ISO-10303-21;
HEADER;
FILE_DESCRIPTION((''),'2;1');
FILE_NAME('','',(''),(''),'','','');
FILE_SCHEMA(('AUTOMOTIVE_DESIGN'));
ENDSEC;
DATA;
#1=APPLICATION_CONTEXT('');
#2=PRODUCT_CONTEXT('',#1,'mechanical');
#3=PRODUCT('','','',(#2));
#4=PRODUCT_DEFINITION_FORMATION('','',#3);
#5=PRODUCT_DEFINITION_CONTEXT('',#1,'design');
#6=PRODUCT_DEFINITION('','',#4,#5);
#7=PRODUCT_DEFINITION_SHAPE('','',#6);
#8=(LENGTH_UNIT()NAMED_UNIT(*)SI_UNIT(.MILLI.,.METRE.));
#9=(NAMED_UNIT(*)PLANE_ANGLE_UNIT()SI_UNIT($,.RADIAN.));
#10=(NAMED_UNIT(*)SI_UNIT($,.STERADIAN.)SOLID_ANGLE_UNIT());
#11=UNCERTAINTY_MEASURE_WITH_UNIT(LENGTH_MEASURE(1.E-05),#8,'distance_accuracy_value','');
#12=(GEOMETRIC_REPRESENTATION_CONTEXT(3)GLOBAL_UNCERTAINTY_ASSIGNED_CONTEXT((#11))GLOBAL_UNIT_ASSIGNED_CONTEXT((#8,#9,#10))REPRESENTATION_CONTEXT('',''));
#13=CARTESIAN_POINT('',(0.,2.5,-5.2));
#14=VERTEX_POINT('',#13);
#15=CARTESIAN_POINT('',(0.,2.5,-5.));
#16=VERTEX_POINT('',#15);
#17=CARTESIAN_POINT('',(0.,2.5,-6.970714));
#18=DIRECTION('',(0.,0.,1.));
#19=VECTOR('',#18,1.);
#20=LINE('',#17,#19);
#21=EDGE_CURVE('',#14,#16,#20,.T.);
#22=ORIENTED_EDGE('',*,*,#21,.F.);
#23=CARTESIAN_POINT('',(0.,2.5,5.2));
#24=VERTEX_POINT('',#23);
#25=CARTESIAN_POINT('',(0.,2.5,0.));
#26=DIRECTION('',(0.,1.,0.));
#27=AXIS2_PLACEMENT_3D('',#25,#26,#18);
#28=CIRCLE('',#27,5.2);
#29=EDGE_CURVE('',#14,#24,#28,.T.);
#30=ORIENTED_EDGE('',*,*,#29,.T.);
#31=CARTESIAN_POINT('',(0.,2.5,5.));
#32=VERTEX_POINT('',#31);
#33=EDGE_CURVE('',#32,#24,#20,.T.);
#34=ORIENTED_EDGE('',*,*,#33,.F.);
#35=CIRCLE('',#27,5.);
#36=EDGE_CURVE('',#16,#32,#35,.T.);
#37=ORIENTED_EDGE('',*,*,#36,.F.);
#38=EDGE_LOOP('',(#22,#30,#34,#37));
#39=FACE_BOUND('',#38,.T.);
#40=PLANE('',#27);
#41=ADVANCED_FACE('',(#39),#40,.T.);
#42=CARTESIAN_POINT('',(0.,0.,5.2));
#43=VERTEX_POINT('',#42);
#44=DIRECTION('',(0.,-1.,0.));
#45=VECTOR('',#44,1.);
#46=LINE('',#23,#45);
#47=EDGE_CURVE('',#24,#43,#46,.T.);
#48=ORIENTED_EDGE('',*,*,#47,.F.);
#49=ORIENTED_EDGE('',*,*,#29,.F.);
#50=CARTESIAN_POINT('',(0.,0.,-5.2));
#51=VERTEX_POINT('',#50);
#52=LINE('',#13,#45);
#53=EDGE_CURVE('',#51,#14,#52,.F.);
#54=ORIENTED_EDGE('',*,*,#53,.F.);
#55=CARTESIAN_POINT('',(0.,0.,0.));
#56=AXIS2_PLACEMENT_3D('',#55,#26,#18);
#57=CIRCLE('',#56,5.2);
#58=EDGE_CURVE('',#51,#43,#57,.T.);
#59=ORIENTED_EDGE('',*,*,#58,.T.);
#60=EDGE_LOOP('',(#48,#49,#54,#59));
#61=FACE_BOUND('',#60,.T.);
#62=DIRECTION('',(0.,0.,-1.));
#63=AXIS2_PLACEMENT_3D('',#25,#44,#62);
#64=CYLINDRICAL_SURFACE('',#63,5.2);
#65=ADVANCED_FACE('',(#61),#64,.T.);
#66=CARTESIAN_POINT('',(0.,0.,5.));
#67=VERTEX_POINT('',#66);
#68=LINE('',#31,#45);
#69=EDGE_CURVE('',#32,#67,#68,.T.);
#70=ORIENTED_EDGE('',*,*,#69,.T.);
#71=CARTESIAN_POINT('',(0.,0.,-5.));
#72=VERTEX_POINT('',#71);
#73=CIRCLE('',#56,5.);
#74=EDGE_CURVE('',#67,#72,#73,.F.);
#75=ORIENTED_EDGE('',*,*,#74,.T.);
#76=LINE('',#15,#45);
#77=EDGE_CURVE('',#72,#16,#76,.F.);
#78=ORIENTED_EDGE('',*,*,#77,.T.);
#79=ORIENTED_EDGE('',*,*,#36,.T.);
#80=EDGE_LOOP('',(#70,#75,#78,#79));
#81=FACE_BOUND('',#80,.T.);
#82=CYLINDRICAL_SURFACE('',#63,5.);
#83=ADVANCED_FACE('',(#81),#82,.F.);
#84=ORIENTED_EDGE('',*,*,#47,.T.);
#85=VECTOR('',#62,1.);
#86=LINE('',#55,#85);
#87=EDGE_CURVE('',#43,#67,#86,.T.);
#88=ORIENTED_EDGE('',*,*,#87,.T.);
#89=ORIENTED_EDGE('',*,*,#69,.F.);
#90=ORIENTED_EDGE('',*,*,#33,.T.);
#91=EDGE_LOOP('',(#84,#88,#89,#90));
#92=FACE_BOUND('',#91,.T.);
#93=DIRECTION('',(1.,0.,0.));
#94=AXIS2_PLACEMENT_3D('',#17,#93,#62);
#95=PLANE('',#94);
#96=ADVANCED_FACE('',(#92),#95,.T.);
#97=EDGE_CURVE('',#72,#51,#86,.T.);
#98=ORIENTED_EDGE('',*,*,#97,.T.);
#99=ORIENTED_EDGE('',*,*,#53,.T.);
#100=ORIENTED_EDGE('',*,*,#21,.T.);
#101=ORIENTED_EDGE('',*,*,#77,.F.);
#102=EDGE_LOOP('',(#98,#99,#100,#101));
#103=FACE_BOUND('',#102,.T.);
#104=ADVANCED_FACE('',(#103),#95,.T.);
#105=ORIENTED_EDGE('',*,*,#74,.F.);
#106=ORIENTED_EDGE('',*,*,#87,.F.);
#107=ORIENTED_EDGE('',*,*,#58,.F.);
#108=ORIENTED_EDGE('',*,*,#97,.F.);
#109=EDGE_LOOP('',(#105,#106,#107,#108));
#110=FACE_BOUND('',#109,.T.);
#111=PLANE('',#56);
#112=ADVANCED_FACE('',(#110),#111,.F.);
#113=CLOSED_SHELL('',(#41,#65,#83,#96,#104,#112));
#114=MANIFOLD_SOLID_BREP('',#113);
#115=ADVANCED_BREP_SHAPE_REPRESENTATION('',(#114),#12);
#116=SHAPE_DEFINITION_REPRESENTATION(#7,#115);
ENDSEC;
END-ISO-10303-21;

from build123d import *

# Parameters (mm, degrees)
SKETCH_8_R               = 5.2
EXTRUDE_4_DEPTH          = 2.5
CUT_EXTRUDE_8_DEPTH      = 2.5
CUT_EXTRUDE_8_DEPTH_BACK = 2.5
SKETCH_11_R              = 5
CUT_EXTRUDE_9_DEPTH      = 2.5
CUT_EXTRUDE_9_DEPTH_BACK = 2.5
SKETCH_12_W              = 11.101506765
SKETCH_12_H              = 17.426783875


with BuildPart() as part:
    # 草图8 → 凸台-拉伸4 (new body)
    with BuildSketch(Plane(origin=(0, 0, 0), x_dir=(1, 0, 0), z_dir=(0, 1, 0))):
        Circle(SKETCH_8_R)
    extrude(amount=EXTRUDE_4_DEPTH)

    # 草图11 → 切除-拉伸8 (cut, two sides: drawn at the far end of the back side and taken through both)
    with BuildSketch(Plane(origin=(0, 0, 0), x_dir=(1, 0, 0), z_dir=(0, 1, 0)).offset(-CUT_EXTRUDE_8_DEPTH_BACK)):
        Circle(SKETCH_11_R)
    extrude(amount=CUT_EXTRUDE_8_DEPTH + CUT_EXTRUDE_8_DEPTH_BACK, mode=Mode.SUBTRACT)

    # 草图12 → 切除-拉伸9 (cut, two sides: drawn at the far end of the back side and taken through both)
    with BuildSketch(Plane(origin=(0, 0, 0), x_dir=(1, 0, 0), z_dir=(0, 1, 0)).offset(-CUT_EXTRUDE_9_DEPTH_BACK)):
        with Locations((5.550753382, -1.742678388)):
            Rectangle(SKETCH_12_W, SKETCH_12_H)
    extrude(amount=CUT_EXTRUDE_9_DEPTH + CUT_EXTRUDE_9_DEPTH_BACK, mode=Mode.SUBTRACT)


solid = part.part
